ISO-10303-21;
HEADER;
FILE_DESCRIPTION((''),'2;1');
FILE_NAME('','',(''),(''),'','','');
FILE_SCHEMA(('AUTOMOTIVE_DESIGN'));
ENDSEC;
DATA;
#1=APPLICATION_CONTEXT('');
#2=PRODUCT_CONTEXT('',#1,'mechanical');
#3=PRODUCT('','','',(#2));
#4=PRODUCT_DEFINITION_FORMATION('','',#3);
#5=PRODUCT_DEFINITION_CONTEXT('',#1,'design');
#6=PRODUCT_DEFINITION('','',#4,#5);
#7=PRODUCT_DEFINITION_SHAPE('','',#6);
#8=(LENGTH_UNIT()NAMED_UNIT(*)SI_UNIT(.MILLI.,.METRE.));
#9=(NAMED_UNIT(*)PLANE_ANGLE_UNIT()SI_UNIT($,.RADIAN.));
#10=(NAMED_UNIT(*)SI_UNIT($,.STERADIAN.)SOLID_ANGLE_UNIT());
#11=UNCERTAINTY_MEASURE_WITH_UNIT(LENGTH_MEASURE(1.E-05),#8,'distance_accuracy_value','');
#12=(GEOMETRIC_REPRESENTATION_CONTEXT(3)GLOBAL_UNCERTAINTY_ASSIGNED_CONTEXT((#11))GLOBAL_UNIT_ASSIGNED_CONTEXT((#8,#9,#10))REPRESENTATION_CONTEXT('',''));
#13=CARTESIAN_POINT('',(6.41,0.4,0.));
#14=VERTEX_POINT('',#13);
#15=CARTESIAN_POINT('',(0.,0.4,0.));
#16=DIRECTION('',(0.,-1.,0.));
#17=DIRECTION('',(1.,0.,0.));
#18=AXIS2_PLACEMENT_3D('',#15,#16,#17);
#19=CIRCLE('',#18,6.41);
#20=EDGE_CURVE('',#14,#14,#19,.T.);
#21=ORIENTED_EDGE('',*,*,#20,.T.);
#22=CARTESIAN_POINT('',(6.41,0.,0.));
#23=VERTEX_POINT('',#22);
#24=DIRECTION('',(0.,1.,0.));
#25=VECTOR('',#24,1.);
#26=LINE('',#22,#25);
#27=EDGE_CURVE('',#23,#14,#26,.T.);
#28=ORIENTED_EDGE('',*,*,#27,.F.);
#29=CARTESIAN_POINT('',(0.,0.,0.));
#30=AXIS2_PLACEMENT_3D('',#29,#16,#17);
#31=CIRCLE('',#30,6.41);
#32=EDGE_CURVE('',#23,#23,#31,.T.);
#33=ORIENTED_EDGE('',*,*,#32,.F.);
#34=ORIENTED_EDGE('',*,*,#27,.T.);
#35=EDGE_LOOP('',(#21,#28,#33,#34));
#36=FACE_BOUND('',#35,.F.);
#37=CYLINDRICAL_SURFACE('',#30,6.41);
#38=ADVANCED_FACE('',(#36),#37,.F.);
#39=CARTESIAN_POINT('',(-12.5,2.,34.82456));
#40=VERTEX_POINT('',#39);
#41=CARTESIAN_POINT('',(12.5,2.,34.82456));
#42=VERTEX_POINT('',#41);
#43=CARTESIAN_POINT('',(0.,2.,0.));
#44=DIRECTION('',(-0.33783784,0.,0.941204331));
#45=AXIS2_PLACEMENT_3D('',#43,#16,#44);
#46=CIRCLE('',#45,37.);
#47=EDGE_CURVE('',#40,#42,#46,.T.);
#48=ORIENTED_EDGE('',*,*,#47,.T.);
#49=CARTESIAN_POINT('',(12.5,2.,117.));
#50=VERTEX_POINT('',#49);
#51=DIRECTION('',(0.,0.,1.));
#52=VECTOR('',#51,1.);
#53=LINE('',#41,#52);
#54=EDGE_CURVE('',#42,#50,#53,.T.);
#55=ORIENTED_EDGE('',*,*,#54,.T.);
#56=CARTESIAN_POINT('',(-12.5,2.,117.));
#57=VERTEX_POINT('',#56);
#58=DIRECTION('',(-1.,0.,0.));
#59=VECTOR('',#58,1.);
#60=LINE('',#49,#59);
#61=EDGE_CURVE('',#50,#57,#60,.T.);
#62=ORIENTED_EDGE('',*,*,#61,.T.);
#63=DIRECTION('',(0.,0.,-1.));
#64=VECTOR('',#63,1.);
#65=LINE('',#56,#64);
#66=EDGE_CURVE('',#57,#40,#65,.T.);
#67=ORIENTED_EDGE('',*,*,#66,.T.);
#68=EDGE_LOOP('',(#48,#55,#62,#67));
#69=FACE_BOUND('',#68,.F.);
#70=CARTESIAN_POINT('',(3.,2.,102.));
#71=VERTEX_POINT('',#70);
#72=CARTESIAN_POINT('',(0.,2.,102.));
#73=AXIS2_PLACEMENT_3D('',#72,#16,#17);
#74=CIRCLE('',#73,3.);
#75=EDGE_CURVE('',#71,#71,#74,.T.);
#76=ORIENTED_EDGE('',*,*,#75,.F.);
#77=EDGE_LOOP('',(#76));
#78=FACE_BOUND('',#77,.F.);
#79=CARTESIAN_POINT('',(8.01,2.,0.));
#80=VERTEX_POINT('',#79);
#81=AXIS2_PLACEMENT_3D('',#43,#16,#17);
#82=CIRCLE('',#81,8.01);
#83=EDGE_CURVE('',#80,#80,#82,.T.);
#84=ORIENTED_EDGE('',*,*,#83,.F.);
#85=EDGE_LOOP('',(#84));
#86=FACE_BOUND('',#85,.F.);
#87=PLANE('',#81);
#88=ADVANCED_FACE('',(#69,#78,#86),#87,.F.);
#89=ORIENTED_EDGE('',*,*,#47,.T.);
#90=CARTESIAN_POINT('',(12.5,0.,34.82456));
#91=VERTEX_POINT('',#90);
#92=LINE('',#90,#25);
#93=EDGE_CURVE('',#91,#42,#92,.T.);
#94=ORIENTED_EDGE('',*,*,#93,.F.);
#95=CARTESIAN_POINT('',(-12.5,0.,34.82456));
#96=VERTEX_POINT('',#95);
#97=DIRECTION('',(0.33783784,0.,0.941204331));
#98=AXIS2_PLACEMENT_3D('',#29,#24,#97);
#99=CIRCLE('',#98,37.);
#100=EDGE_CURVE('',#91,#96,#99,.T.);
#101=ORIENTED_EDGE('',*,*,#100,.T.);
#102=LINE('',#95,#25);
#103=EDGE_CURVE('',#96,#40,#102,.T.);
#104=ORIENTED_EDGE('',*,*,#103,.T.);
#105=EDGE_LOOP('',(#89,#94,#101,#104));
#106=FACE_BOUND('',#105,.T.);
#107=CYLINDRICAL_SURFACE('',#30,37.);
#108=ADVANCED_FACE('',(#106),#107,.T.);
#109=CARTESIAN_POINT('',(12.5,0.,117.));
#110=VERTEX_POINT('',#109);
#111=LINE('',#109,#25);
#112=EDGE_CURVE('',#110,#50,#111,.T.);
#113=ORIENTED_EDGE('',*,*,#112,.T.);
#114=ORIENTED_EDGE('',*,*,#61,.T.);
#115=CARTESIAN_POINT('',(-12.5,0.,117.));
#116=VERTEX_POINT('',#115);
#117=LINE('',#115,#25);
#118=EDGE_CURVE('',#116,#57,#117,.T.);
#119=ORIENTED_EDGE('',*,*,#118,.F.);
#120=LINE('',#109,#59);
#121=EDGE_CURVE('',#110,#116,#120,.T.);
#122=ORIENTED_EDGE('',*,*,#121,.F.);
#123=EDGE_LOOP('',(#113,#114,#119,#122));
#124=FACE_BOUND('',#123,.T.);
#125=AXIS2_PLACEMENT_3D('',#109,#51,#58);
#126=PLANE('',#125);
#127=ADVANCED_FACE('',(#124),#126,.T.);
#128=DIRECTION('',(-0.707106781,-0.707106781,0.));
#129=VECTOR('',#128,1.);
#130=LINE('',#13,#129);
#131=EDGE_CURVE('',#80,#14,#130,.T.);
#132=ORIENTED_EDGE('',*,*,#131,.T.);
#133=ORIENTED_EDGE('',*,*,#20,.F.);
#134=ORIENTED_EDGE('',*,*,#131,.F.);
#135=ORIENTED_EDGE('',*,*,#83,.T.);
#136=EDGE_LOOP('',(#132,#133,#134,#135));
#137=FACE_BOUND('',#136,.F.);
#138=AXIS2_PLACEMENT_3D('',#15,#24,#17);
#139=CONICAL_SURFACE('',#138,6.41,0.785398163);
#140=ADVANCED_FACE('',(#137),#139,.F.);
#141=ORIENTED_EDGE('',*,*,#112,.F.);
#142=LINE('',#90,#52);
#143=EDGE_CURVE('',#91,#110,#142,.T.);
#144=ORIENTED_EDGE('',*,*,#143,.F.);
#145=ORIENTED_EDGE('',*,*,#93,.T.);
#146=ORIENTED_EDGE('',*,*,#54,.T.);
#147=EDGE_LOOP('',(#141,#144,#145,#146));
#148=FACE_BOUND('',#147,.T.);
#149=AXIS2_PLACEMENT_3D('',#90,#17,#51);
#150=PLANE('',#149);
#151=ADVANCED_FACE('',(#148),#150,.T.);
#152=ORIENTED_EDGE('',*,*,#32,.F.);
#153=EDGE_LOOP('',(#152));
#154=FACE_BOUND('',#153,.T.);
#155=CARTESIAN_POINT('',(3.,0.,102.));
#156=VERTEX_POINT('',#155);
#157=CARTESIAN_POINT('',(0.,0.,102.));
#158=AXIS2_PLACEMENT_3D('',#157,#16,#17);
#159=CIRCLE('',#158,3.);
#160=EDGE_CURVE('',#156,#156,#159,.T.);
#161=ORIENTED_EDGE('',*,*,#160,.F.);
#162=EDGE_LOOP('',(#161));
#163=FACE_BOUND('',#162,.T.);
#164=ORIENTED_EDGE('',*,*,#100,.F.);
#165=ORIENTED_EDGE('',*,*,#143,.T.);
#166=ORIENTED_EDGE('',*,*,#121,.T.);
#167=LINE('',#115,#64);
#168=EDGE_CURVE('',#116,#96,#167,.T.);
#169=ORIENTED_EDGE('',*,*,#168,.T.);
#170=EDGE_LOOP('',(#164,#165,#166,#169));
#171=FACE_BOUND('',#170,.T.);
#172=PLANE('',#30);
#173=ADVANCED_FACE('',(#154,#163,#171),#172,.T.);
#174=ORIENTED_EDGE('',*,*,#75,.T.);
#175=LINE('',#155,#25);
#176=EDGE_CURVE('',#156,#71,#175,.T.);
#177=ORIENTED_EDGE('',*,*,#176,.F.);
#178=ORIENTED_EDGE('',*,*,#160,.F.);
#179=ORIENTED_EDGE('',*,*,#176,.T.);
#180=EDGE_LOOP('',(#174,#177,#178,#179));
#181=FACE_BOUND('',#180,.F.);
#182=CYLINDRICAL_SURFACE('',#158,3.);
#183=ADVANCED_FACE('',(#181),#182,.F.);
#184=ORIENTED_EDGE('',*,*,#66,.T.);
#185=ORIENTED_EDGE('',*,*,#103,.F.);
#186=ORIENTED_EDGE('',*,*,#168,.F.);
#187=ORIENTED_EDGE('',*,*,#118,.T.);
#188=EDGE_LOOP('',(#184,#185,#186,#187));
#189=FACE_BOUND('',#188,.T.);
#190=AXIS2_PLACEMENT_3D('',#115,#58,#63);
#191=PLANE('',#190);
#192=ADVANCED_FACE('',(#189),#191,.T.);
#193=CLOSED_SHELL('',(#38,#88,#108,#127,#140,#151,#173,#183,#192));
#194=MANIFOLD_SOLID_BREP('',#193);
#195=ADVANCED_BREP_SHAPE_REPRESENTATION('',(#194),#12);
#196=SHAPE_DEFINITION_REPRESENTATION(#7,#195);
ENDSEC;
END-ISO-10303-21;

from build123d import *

# Parameters (mm, degrees)
F0_R     = 37
F0_R_2   = 6.41
F1_DEPTH = 2
F3_DEPTH = 2
F4_R     = 3
F5_DEPTH = 2.001
F6_SIZE2 = 1.6
F6_SIZE  = 1.6


with BuildPart() as f1:
    # F0 (on Front) → F1 (new body)
    with BuildSketch(Plane.XZ):
        Circle(F0_R)
        Circle(F0_R_2, mode=Mode.SUBTRACT)
    extrude(amount=-F1_DEPTH)

    # F2 (on face) → F3 (join)
    with BuildSketch(Plane.XZ):
        with BuildLine():
            Line((12.5, 117), (-12.5, 117))
            Line((-12.5, 117), (-12.5, 34.82456))
            ThreePointArc((-12.5, 34.82456), (0, 37), (12.5, 34.82456))
            Line((12.5, 34.82456), (12.5, 117))
        make_face()
    extrude(amount=-F3_DEPTH)

    # F4 (on face) → F5 (cut, through all)
    with BuildSketch(Plane.XZ):
        with Locations((0, 102)):
            Circle(F4_R)
    extrude(amount=-F5_DEPTH, mode=Mode.SUBTRACT)

    # F6
    f6_edges = [f1.edges().sort_by_distance(p)[0] for p in [
        (-6.41, 2, 0),
    ]]
    chamfer(f6_edges, length=F6_SIZE, length2=F6_SIZE2)


solid = f1.part
